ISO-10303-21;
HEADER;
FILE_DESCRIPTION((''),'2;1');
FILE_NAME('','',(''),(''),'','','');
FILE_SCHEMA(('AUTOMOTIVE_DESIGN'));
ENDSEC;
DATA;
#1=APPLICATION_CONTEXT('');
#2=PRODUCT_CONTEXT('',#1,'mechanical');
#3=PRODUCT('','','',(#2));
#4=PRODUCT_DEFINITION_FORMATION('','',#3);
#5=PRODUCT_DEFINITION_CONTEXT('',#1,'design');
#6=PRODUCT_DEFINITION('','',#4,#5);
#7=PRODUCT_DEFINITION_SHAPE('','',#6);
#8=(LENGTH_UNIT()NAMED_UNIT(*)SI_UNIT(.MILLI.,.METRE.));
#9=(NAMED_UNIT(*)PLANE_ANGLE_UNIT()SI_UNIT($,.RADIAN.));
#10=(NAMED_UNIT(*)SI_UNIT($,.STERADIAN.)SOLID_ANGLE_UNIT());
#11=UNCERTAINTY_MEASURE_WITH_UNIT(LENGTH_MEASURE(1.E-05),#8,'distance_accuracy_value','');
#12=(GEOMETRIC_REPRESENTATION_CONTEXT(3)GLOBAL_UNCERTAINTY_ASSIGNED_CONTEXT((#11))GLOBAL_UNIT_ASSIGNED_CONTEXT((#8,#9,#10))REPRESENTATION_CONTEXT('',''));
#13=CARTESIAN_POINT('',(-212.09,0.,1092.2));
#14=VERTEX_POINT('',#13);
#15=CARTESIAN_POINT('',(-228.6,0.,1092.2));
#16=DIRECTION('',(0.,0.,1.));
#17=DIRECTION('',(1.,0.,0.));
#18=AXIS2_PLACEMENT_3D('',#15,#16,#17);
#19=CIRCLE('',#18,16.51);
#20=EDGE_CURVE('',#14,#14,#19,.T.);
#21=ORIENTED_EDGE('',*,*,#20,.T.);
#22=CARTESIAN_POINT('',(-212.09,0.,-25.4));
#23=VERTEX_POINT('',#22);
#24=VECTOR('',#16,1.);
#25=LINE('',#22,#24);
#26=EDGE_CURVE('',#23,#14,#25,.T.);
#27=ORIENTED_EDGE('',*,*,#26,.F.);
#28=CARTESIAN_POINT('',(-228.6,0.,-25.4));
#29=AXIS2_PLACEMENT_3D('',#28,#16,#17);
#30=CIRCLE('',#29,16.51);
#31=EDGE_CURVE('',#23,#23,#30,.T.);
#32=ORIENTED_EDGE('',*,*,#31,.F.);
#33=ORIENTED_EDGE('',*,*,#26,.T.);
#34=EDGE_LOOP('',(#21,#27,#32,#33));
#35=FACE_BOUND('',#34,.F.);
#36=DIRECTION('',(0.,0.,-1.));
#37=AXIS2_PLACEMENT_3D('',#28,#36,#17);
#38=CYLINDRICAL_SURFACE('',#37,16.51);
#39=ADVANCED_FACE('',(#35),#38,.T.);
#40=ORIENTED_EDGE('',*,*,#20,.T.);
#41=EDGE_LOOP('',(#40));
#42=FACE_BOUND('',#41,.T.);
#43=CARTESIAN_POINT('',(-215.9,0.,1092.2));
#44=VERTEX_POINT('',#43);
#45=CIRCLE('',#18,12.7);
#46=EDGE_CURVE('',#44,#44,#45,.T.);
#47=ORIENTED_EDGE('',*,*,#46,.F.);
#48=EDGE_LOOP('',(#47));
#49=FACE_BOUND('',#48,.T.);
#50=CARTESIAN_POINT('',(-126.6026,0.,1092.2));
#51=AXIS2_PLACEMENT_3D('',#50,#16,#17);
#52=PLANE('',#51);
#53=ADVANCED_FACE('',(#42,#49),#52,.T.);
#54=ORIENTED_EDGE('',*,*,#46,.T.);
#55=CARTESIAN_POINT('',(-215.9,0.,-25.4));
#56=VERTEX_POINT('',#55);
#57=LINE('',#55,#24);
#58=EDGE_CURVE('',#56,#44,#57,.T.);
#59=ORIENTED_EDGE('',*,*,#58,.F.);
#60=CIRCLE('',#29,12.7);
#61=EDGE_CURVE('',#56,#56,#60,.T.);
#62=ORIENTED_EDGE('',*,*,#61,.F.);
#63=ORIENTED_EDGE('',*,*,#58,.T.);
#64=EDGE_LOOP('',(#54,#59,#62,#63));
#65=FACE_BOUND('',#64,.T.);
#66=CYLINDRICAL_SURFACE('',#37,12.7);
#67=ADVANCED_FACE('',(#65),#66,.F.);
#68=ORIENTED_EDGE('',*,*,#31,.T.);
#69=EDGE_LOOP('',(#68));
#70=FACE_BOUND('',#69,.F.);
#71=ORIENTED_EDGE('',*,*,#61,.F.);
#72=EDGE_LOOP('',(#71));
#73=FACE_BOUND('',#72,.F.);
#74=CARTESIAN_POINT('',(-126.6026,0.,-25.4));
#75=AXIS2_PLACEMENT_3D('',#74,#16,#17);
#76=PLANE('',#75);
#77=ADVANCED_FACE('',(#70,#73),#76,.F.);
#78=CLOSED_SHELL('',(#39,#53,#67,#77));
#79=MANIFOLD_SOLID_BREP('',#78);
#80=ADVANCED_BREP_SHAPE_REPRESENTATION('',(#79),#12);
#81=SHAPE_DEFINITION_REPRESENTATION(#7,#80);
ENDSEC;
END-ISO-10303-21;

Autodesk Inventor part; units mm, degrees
ref_plane "YZ Plane" through (0, 0, 0) normal (1, 0, 0) x (0, 1, 0)
ref_plane "XZ Plane" through (0, 0, 0) normal (0, 1, 0) x (-1, 0, 0)
ref_plane "XY Plane" through (0, 0, 0) normal (0, 0, 1) x (1, 0, 0)
ref_plane "Work Plane1" through (-126.6026, 0, -25.4) normal (0, 0, 1) x (1, 0, 0)
sketch "Sketch1" plane through (-126.6026, 0, -25.4) normal (0, 0, 1) x (1, 0, 0)
  line L0 (132.9264, 43.6548) -> (133.0414, -19.8451) projected
  line L1 (126.6026, 0) -> (-138.4982, 0) construction
  circle A0 centre (-101.9974, 0) radius 12.7
  circle A1 centre (-101.9974, 0) radius 16.51
  dimension "d0" = 25.4
  dimension "d1" = 228.6
  dimension "d4" = 33.02
extrude "Extrusion1" add sketch "Sketch1" along normal blind 1117.6
properties part number "Boom"
